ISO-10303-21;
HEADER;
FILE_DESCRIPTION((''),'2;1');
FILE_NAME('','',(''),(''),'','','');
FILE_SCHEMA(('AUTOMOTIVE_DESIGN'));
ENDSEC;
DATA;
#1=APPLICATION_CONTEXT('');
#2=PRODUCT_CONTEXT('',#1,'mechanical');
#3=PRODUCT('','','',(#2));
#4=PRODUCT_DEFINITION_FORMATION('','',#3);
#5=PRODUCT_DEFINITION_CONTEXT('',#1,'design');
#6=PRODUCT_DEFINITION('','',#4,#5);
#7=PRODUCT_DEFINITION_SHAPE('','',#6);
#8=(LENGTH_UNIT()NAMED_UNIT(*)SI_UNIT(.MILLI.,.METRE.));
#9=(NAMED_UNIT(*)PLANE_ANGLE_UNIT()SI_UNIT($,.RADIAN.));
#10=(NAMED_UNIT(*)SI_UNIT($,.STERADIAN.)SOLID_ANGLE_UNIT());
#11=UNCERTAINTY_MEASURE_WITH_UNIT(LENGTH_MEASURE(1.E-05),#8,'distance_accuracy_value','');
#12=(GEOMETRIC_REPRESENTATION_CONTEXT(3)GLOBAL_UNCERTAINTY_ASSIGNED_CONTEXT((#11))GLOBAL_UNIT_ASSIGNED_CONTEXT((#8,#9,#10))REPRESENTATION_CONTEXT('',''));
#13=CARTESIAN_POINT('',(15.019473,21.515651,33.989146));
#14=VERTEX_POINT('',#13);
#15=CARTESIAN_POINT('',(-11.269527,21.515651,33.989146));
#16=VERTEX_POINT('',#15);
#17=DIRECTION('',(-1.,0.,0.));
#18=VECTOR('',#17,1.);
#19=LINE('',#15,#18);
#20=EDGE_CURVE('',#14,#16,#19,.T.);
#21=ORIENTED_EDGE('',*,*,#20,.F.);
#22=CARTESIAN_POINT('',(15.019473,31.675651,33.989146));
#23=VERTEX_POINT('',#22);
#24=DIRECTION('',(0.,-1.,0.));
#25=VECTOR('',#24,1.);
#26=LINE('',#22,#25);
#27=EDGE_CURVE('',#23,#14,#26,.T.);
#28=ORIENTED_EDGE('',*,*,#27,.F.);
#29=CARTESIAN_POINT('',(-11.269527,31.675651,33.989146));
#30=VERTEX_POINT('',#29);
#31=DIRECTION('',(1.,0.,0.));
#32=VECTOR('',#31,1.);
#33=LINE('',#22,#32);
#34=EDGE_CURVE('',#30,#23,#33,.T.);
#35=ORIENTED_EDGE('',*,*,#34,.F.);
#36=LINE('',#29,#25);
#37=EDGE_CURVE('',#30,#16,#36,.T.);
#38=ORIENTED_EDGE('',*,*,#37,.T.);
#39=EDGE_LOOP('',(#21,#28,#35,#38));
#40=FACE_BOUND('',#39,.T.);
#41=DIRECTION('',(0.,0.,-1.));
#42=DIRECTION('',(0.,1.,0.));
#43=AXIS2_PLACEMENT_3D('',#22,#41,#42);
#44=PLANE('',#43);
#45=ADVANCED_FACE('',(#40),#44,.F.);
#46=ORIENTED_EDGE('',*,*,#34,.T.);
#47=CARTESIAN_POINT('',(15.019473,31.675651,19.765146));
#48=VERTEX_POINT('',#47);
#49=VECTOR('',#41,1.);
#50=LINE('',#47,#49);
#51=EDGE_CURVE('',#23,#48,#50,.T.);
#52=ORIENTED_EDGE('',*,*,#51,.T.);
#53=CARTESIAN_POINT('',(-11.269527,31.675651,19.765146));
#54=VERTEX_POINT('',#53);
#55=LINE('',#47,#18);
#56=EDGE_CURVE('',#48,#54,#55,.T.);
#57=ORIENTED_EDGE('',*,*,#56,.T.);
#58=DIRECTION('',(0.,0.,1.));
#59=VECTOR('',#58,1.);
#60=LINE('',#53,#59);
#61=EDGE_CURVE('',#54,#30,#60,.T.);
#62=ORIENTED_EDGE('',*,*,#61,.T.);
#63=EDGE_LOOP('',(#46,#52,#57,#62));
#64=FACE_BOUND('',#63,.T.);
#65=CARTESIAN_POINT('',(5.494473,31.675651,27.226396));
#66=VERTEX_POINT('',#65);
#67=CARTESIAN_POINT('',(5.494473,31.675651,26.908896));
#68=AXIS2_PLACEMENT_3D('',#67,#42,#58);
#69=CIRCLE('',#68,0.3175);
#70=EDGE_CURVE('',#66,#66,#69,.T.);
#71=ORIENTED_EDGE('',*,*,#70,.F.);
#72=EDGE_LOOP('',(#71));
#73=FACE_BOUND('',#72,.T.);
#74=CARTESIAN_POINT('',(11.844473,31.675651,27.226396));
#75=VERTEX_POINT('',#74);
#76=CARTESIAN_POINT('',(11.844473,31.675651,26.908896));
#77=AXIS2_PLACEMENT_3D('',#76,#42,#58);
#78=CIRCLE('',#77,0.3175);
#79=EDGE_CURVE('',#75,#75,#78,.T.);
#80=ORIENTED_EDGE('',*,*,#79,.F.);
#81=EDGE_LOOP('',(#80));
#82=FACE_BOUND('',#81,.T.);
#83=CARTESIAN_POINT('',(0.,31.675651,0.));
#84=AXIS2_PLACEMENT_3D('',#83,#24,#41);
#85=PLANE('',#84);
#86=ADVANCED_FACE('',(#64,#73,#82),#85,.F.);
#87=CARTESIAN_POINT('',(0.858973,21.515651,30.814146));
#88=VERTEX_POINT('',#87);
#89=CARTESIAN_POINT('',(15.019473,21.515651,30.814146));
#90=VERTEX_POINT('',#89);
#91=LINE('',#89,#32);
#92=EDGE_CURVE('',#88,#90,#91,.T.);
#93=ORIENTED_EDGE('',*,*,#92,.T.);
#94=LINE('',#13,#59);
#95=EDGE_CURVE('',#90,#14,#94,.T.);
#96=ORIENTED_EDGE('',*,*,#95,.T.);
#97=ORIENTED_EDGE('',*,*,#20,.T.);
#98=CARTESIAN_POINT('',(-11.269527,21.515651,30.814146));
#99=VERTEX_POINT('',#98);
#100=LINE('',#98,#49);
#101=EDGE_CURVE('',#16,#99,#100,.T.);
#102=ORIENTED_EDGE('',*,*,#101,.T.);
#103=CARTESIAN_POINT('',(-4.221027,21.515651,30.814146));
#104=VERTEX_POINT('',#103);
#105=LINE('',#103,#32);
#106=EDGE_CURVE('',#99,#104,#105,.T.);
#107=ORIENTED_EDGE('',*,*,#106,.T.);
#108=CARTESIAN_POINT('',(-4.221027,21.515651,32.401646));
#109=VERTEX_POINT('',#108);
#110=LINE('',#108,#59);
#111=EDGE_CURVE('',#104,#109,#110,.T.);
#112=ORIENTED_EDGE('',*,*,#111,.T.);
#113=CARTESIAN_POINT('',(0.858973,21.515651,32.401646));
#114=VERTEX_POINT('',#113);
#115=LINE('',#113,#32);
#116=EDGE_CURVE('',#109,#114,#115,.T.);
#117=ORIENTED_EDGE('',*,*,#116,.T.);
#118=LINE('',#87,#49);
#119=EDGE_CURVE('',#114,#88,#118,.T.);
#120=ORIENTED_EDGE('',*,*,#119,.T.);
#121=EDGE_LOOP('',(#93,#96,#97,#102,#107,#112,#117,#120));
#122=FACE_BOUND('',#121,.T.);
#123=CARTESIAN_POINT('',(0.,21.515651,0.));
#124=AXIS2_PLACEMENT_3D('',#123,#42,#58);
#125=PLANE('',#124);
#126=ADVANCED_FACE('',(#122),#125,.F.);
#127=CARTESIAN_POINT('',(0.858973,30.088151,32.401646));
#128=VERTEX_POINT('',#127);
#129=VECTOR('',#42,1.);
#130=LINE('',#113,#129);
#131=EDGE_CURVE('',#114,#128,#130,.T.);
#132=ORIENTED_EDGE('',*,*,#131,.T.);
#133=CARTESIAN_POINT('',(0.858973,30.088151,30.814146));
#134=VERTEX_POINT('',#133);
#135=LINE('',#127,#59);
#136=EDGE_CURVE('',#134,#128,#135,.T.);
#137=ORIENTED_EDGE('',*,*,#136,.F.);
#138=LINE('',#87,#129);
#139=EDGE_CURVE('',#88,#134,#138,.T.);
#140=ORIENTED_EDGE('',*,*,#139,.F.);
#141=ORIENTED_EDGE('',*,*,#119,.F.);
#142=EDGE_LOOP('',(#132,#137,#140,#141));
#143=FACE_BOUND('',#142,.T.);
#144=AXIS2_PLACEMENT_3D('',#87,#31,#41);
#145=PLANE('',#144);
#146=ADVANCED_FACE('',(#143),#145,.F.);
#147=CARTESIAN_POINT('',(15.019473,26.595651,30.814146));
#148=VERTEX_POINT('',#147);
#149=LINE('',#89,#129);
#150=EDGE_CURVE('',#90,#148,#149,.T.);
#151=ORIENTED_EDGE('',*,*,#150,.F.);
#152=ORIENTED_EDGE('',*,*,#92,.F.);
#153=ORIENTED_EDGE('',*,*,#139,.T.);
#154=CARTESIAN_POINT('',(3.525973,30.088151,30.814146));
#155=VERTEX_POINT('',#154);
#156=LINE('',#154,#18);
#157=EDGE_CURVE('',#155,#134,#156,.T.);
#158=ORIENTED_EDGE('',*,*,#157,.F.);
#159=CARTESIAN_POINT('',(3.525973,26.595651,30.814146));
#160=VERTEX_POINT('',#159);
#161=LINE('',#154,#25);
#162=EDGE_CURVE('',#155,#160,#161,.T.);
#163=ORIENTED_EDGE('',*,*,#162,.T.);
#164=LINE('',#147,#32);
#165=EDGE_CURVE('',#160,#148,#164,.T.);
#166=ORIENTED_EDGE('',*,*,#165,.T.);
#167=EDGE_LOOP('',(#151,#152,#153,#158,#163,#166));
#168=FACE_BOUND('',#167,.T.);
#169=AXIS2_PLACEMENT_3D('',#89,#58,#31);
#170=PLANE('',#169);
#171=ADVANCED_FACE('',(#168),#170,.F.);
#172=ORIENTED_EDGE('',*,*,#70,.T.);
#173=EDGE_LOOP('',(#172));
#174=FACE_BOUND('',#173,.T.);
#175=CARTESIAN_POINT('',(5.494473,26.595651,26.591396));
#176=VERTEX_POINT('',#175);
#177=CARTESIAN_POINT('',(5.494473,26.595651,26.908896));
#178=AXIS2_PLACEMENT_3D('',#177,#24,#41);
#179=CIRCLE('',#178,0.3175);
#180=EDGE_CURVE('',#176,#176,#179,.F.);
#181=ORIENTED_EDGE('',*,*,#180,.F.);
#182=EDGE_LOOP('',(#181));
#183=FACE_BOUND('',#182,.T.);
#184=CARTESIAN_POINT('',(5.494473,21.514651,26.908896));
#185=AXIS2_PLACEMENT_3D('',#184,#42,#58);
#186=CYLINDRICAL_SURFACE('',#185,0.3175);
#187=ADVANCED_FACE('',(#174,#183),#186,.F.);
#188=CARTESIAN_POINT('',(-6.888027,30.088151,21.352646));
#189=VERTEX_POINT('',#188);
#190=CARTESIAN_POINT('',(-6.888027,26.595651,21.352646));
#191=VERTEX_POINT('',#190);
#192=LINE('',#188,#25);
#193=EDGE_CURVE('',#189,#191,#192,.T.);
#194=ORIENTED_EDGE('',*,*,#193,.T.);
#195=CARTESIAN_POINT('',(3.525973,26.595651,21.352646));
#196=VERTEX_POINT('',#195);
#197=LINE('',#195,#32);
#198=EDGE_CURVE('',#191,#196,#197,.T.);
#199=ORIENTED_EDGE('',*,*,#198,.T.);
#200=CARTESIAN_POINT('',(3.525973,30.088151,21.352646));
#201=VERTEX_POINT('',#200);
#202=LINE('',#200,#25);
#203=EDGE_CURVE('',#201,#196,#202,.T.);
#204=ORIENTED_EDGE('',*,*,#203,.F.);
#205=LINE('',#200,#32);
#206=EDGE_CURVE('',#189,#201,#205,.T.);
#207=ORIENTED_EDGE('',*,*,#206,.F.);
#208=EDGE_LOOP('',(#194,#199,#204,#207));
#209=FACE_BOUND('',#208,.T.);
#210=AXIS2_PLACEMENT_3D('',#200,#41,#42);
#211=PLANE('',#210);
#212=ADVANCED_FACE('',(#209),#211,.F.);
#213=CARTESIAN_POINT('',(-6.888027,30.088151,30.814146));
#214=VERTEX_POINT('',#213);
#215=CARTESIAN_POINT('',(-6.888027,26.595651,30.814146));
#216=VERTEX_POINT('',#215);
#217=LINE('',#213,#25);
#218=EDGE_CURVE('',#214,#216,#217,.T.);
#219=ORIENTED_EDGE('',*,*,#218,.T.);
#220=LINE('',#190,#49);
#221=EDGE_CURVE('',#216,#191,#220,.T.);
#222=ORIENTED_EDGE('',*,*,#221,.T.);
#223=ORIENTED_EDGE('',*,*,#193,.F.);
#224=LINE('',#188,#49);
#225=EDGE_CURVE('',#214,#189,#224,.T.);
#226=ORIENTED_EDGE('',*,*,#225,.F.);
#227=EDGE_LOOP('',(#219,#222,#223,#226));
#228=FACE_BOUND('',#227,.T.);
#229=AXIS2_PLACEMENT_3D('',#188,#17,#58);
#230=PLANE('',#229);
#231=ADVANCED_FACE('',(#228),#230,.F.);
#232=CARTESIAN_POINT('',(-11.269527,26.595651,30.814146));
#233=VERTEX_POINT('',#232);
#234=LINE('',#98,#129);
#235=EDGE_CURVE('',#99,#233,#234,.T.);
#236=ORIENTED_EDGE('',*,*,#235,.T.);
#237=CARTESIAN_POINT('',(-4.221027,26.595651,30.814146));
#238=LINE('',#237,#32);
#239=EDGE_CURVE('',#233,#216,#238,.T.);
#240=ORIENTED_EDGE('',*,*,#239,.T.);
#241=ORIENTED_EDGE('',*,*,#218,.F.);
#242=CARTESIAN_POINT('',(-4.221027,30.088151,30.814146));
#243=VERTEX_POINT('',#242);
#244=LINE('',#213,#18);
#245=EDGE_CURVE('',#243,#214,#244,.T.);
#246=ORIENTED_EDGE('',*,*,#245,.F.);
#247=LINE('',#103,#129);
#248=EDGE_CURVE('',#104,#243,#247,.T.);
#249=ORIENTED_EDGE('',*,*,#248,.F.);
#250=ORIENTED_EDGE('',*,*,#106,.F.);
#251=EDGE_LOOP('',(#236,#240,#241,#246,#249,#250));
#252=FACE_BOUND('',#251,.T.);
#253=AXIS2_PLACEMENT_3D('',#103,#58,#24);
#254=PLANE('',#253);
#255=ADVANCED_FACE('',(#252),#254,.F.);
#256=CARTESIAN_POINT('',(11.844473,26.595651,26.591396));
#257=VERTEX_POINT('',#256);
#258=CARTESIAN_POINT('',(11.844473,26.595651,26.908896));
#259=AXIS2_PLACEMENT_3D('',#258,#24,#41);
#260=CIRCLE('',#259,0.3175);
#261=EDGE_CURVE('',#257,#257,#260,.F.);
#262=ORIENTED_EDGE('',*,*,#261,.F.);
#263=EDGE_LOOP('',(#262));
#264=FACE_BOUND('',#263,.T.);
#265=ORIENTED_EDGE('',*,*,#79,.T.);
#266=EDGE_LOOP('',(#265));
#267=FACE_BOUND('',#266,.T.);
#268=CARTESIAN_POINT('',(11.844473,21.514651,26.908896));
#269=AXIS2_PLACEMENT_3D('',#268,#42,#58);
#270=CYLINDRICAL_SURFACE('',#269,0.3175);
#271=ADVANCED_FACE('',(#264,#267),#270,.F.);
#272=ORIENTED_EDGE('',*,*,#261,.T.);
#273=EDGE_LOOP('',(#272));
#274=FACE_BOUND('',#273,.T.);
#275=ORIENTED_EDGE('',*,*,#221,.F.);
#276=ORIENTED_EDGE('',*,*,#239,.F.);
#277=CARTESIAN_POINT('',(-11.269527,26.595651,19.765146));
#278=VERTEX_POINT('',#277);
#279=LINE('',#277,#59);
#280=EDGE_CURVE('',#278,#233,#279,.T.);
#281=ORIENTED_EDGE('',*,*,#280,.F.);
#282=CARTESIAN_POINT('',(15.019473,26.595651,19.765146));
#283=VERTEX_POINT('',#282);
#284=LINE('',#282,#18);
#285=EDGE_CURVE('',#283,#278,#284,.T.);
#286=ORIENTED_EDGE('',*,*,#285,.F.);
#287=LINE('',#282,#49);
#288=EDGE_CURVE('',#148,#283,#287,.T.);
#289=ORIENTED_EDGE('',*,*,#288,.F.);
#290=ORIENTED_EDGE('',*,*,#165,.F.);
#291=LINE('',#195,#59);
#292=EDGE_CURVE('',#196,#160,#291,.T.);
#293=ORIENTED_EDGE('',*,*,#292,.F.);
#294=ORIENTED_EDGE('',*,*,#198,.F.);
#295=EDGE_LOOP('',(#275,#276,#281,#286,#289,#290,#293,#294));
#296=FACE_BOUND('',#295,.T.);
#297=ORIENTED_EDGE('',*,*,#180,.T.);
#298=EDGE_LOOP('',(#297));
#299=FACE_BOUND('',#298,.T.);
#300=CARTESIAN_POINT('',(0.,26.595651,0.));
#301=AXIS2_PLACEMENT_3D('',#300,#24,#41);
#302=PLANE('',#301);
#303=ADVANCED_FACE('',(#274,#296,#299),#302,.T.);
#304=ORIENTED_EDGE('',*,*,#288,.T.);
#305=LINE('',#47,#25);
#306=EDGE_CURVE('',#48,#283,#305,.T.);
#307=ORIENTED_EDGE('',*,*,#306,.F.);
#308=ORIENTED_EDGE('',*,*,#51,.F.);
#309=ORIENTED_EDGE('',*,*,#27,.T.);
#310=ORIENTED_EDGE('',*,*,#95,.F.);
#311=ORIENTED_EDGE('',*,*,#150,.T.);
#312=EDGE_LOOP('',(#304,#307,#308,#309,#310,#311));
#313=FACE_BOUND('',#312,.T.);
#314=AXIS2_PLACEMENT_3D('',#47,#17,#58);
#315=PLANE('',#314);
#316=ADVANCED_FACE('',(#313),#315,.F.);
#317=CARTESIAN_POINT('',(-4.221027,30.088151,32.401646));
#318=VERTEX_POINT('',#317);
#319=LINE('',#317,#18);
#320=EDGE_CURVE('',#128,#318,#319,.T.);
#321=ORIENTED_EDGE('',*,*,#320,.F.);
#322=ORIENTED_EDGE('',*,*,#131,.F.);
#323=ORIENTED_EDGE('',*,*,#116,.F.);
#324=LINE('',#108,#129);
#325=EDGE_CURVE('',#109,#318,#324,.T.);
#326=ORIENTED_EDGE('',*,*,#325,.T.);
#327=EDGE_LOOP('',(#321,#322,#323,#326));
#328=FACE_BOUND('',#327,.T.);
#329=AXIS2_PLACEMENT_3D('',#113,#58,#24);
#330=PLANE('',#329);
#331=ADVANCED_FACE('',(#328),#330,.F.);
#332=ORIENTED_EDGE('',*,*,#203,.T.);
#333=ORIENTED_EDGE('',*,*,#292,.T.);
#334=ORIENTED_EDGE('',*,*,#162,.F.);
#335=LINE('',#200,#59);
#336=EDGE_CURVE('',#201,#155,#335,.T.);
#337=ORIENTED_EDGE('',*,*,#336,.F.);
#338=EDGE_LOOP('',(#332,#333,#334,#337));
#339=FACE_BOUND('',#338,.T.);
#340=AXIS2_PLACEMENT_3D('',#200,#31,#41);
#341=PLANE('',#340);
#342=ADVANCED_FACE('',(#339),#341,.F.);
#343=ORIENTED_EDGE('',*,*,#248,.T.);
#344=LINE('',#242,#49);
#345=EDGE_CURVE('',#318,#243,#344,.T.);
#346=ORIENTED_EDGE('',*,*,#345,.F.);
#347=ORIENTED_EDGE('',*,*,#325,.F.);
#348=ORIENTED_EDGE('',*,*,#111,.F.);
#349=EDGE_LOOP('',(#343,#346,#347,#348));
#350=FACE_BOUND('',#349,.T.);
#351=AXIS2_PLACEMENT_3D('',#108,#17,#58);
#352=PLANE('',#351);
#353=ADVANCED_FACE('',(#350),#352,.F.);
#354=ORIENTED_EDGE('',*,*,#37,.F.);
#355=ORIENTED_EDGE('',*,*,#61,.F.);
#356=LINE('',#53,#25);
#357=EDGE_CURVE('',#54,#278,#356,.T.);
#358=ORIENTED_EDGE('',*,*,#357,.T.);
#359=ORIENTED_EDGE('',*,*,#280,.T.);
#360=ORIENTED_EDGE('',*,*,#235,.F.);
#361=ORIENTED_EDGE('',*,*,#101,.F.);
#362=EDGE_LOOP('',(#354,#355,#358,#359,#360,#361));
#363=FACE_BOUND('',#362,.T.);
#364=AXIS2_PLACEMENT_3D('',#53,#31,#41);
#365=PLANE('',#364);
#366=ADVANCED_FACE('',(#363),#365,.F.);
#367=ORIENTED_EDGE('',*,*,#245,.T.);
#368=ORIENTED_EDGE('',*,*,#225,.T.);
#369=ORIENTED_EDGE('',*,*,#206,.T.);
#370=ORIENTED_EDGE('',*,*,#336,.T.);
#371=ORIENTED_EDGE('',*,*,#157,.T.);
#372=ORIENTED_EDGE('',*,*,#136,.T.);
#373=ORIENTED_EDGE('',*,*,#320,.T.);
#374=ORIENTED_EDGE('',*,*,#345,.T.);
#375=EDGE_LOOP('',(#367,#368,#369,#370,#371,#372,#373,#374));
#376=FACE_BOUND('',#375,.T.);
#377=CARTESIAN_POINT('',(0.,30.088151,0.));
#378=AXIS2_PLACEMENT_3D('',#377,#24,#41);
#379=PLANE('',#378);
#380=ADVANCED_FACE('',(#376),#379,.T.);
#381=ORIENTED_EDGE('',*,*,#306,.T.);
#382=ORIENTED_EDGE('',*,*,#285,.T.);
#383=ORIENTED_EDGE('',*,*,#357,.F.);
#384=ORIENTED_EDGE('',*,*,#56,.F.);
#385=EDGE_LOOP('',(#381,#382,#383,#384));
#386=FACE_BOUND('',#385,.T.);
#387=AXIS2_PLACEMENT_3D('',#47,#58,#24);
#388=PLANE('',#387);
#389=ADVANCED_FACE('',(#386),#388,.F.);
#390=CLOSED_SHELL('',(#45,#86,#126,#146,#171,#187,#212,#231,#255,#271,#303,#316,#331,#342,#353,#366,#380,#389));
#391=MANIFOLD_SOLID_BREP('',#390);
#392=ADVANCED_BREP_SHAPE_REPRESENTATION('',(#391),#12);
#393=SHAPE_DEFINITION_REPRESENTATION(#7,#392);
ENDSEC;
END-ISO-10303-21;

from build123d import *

# Parameters (mm, degrees)
SKETCH1_W           = 26.289
SKETCH1_H           = 14.224
BOSS_EXTRUDE2_DEPTH = 5.08
BOSS_EXTRUDE3_DEPTH = 5.08
CUT_EXTRUDE1_DEPTH  = 3.4925
CUT_EXTRUDE2_REACH  = 12.16
SKETCH4_R           = 0.3175


with BuildPart() as part:
    # Sketch1 → Boss-Extrude2 (new body)
    with BuildSketch(Plane(origin=(0, 26.595650985, 0), x_dir=(1, 0, 0), z_dir=(0, 1, 0))):
        with Locations((1.874973489, -26.877146351)):
            Rectangle(SKETCH1_W, SKETCH1_H)
    extrude(amount=BOSS_EXTRUDE2_DEPTH)

    # Sketch2 → Boss-Extrude3 (add)
    with BuildSketch(Plane.XZ.offset(-26.595650985)):
        Polygon((-11.269526511, 30.814146351), (-11.269526511, 33.989146351), (15.019473489, 33.989146351), (15.019473489, 30.814146351), (0.858973489, 30.814146351), (0.858973489, 32.401646351), (-4.221026511, 32.401646351), (-4.221026511, 30.814146351), align=None)
    extrude(amount=BOSS_EXTRUDE3_DEPTH)

    # Sketch3 → Cut-Extrude1 (cut)
    with BuildSketch(Plane.XZ.offset(-26.595650985)):
        Polygon((-4.221026511, 30.814146351), (-4.221026511, 32.401646351), (0.858973489, 32.401646351), (0.858973489, 30.814146351), (3.525973489, 30.814146351), (3.525973489, 21.352646351), (-6.888026511, 21.352646351), (-6.888026511, 30.814146351), align=None)
    extrude(amount=-CUT_EXTRUDE1_DEPTH, mode=Mode.SUBTRACT)

    # Sketch4 → Cut-Extrude2 (cut, up to next)
    with BuildSketch(Plane(origin=(0, 31.675650985, 0), x_dir=(1, 0, 0), z_dir=(0, 1, 0)), mode=Mode.PRIVATE) as cut_extrude2_sk1:
        with Locations((5.494473489, -26.908896351)):
            Circle(SKETCH4_R)
    cut_extrude2_tool1 = extrude(cut_extrude2_sk1.sketch, amount=-CUT_EXTRUDE2_REACH, mode=Mode.PRIVATE) & part.part
    add(cut_extrude2_tool1.solids().sort_by_distance((5.494473, 31.675651, 26.908896))[0], mode=Mode.SUBTRACT)
    # Sketch4 → Cut-Extrude2 (cut, up to next)
    with BuildSketch(Plane(origin=(0, 31.675650985, 0), x_dir=(1, 0, 0), z_dir=(0, 1, 0)), mode=Mode.PRIVATE) as cut_extrude2_sk2:
        with Locations((11.844473489, -26.908896351)):
            Circle(SKETCH4_R)
    cut_extrude2_tool2 = extrude(cut_extrude2_sk2.sketch, amount=-CUT_EXTRUDE2_REACH, mode=Mode.PRIVATE) & part.part
    add(cut_extrude2_tool2.solids().sort_by_distance((11.844473, 31.675651, 26.908896))[0], mode=Mode.SUBTRACT)


solid = part.part
